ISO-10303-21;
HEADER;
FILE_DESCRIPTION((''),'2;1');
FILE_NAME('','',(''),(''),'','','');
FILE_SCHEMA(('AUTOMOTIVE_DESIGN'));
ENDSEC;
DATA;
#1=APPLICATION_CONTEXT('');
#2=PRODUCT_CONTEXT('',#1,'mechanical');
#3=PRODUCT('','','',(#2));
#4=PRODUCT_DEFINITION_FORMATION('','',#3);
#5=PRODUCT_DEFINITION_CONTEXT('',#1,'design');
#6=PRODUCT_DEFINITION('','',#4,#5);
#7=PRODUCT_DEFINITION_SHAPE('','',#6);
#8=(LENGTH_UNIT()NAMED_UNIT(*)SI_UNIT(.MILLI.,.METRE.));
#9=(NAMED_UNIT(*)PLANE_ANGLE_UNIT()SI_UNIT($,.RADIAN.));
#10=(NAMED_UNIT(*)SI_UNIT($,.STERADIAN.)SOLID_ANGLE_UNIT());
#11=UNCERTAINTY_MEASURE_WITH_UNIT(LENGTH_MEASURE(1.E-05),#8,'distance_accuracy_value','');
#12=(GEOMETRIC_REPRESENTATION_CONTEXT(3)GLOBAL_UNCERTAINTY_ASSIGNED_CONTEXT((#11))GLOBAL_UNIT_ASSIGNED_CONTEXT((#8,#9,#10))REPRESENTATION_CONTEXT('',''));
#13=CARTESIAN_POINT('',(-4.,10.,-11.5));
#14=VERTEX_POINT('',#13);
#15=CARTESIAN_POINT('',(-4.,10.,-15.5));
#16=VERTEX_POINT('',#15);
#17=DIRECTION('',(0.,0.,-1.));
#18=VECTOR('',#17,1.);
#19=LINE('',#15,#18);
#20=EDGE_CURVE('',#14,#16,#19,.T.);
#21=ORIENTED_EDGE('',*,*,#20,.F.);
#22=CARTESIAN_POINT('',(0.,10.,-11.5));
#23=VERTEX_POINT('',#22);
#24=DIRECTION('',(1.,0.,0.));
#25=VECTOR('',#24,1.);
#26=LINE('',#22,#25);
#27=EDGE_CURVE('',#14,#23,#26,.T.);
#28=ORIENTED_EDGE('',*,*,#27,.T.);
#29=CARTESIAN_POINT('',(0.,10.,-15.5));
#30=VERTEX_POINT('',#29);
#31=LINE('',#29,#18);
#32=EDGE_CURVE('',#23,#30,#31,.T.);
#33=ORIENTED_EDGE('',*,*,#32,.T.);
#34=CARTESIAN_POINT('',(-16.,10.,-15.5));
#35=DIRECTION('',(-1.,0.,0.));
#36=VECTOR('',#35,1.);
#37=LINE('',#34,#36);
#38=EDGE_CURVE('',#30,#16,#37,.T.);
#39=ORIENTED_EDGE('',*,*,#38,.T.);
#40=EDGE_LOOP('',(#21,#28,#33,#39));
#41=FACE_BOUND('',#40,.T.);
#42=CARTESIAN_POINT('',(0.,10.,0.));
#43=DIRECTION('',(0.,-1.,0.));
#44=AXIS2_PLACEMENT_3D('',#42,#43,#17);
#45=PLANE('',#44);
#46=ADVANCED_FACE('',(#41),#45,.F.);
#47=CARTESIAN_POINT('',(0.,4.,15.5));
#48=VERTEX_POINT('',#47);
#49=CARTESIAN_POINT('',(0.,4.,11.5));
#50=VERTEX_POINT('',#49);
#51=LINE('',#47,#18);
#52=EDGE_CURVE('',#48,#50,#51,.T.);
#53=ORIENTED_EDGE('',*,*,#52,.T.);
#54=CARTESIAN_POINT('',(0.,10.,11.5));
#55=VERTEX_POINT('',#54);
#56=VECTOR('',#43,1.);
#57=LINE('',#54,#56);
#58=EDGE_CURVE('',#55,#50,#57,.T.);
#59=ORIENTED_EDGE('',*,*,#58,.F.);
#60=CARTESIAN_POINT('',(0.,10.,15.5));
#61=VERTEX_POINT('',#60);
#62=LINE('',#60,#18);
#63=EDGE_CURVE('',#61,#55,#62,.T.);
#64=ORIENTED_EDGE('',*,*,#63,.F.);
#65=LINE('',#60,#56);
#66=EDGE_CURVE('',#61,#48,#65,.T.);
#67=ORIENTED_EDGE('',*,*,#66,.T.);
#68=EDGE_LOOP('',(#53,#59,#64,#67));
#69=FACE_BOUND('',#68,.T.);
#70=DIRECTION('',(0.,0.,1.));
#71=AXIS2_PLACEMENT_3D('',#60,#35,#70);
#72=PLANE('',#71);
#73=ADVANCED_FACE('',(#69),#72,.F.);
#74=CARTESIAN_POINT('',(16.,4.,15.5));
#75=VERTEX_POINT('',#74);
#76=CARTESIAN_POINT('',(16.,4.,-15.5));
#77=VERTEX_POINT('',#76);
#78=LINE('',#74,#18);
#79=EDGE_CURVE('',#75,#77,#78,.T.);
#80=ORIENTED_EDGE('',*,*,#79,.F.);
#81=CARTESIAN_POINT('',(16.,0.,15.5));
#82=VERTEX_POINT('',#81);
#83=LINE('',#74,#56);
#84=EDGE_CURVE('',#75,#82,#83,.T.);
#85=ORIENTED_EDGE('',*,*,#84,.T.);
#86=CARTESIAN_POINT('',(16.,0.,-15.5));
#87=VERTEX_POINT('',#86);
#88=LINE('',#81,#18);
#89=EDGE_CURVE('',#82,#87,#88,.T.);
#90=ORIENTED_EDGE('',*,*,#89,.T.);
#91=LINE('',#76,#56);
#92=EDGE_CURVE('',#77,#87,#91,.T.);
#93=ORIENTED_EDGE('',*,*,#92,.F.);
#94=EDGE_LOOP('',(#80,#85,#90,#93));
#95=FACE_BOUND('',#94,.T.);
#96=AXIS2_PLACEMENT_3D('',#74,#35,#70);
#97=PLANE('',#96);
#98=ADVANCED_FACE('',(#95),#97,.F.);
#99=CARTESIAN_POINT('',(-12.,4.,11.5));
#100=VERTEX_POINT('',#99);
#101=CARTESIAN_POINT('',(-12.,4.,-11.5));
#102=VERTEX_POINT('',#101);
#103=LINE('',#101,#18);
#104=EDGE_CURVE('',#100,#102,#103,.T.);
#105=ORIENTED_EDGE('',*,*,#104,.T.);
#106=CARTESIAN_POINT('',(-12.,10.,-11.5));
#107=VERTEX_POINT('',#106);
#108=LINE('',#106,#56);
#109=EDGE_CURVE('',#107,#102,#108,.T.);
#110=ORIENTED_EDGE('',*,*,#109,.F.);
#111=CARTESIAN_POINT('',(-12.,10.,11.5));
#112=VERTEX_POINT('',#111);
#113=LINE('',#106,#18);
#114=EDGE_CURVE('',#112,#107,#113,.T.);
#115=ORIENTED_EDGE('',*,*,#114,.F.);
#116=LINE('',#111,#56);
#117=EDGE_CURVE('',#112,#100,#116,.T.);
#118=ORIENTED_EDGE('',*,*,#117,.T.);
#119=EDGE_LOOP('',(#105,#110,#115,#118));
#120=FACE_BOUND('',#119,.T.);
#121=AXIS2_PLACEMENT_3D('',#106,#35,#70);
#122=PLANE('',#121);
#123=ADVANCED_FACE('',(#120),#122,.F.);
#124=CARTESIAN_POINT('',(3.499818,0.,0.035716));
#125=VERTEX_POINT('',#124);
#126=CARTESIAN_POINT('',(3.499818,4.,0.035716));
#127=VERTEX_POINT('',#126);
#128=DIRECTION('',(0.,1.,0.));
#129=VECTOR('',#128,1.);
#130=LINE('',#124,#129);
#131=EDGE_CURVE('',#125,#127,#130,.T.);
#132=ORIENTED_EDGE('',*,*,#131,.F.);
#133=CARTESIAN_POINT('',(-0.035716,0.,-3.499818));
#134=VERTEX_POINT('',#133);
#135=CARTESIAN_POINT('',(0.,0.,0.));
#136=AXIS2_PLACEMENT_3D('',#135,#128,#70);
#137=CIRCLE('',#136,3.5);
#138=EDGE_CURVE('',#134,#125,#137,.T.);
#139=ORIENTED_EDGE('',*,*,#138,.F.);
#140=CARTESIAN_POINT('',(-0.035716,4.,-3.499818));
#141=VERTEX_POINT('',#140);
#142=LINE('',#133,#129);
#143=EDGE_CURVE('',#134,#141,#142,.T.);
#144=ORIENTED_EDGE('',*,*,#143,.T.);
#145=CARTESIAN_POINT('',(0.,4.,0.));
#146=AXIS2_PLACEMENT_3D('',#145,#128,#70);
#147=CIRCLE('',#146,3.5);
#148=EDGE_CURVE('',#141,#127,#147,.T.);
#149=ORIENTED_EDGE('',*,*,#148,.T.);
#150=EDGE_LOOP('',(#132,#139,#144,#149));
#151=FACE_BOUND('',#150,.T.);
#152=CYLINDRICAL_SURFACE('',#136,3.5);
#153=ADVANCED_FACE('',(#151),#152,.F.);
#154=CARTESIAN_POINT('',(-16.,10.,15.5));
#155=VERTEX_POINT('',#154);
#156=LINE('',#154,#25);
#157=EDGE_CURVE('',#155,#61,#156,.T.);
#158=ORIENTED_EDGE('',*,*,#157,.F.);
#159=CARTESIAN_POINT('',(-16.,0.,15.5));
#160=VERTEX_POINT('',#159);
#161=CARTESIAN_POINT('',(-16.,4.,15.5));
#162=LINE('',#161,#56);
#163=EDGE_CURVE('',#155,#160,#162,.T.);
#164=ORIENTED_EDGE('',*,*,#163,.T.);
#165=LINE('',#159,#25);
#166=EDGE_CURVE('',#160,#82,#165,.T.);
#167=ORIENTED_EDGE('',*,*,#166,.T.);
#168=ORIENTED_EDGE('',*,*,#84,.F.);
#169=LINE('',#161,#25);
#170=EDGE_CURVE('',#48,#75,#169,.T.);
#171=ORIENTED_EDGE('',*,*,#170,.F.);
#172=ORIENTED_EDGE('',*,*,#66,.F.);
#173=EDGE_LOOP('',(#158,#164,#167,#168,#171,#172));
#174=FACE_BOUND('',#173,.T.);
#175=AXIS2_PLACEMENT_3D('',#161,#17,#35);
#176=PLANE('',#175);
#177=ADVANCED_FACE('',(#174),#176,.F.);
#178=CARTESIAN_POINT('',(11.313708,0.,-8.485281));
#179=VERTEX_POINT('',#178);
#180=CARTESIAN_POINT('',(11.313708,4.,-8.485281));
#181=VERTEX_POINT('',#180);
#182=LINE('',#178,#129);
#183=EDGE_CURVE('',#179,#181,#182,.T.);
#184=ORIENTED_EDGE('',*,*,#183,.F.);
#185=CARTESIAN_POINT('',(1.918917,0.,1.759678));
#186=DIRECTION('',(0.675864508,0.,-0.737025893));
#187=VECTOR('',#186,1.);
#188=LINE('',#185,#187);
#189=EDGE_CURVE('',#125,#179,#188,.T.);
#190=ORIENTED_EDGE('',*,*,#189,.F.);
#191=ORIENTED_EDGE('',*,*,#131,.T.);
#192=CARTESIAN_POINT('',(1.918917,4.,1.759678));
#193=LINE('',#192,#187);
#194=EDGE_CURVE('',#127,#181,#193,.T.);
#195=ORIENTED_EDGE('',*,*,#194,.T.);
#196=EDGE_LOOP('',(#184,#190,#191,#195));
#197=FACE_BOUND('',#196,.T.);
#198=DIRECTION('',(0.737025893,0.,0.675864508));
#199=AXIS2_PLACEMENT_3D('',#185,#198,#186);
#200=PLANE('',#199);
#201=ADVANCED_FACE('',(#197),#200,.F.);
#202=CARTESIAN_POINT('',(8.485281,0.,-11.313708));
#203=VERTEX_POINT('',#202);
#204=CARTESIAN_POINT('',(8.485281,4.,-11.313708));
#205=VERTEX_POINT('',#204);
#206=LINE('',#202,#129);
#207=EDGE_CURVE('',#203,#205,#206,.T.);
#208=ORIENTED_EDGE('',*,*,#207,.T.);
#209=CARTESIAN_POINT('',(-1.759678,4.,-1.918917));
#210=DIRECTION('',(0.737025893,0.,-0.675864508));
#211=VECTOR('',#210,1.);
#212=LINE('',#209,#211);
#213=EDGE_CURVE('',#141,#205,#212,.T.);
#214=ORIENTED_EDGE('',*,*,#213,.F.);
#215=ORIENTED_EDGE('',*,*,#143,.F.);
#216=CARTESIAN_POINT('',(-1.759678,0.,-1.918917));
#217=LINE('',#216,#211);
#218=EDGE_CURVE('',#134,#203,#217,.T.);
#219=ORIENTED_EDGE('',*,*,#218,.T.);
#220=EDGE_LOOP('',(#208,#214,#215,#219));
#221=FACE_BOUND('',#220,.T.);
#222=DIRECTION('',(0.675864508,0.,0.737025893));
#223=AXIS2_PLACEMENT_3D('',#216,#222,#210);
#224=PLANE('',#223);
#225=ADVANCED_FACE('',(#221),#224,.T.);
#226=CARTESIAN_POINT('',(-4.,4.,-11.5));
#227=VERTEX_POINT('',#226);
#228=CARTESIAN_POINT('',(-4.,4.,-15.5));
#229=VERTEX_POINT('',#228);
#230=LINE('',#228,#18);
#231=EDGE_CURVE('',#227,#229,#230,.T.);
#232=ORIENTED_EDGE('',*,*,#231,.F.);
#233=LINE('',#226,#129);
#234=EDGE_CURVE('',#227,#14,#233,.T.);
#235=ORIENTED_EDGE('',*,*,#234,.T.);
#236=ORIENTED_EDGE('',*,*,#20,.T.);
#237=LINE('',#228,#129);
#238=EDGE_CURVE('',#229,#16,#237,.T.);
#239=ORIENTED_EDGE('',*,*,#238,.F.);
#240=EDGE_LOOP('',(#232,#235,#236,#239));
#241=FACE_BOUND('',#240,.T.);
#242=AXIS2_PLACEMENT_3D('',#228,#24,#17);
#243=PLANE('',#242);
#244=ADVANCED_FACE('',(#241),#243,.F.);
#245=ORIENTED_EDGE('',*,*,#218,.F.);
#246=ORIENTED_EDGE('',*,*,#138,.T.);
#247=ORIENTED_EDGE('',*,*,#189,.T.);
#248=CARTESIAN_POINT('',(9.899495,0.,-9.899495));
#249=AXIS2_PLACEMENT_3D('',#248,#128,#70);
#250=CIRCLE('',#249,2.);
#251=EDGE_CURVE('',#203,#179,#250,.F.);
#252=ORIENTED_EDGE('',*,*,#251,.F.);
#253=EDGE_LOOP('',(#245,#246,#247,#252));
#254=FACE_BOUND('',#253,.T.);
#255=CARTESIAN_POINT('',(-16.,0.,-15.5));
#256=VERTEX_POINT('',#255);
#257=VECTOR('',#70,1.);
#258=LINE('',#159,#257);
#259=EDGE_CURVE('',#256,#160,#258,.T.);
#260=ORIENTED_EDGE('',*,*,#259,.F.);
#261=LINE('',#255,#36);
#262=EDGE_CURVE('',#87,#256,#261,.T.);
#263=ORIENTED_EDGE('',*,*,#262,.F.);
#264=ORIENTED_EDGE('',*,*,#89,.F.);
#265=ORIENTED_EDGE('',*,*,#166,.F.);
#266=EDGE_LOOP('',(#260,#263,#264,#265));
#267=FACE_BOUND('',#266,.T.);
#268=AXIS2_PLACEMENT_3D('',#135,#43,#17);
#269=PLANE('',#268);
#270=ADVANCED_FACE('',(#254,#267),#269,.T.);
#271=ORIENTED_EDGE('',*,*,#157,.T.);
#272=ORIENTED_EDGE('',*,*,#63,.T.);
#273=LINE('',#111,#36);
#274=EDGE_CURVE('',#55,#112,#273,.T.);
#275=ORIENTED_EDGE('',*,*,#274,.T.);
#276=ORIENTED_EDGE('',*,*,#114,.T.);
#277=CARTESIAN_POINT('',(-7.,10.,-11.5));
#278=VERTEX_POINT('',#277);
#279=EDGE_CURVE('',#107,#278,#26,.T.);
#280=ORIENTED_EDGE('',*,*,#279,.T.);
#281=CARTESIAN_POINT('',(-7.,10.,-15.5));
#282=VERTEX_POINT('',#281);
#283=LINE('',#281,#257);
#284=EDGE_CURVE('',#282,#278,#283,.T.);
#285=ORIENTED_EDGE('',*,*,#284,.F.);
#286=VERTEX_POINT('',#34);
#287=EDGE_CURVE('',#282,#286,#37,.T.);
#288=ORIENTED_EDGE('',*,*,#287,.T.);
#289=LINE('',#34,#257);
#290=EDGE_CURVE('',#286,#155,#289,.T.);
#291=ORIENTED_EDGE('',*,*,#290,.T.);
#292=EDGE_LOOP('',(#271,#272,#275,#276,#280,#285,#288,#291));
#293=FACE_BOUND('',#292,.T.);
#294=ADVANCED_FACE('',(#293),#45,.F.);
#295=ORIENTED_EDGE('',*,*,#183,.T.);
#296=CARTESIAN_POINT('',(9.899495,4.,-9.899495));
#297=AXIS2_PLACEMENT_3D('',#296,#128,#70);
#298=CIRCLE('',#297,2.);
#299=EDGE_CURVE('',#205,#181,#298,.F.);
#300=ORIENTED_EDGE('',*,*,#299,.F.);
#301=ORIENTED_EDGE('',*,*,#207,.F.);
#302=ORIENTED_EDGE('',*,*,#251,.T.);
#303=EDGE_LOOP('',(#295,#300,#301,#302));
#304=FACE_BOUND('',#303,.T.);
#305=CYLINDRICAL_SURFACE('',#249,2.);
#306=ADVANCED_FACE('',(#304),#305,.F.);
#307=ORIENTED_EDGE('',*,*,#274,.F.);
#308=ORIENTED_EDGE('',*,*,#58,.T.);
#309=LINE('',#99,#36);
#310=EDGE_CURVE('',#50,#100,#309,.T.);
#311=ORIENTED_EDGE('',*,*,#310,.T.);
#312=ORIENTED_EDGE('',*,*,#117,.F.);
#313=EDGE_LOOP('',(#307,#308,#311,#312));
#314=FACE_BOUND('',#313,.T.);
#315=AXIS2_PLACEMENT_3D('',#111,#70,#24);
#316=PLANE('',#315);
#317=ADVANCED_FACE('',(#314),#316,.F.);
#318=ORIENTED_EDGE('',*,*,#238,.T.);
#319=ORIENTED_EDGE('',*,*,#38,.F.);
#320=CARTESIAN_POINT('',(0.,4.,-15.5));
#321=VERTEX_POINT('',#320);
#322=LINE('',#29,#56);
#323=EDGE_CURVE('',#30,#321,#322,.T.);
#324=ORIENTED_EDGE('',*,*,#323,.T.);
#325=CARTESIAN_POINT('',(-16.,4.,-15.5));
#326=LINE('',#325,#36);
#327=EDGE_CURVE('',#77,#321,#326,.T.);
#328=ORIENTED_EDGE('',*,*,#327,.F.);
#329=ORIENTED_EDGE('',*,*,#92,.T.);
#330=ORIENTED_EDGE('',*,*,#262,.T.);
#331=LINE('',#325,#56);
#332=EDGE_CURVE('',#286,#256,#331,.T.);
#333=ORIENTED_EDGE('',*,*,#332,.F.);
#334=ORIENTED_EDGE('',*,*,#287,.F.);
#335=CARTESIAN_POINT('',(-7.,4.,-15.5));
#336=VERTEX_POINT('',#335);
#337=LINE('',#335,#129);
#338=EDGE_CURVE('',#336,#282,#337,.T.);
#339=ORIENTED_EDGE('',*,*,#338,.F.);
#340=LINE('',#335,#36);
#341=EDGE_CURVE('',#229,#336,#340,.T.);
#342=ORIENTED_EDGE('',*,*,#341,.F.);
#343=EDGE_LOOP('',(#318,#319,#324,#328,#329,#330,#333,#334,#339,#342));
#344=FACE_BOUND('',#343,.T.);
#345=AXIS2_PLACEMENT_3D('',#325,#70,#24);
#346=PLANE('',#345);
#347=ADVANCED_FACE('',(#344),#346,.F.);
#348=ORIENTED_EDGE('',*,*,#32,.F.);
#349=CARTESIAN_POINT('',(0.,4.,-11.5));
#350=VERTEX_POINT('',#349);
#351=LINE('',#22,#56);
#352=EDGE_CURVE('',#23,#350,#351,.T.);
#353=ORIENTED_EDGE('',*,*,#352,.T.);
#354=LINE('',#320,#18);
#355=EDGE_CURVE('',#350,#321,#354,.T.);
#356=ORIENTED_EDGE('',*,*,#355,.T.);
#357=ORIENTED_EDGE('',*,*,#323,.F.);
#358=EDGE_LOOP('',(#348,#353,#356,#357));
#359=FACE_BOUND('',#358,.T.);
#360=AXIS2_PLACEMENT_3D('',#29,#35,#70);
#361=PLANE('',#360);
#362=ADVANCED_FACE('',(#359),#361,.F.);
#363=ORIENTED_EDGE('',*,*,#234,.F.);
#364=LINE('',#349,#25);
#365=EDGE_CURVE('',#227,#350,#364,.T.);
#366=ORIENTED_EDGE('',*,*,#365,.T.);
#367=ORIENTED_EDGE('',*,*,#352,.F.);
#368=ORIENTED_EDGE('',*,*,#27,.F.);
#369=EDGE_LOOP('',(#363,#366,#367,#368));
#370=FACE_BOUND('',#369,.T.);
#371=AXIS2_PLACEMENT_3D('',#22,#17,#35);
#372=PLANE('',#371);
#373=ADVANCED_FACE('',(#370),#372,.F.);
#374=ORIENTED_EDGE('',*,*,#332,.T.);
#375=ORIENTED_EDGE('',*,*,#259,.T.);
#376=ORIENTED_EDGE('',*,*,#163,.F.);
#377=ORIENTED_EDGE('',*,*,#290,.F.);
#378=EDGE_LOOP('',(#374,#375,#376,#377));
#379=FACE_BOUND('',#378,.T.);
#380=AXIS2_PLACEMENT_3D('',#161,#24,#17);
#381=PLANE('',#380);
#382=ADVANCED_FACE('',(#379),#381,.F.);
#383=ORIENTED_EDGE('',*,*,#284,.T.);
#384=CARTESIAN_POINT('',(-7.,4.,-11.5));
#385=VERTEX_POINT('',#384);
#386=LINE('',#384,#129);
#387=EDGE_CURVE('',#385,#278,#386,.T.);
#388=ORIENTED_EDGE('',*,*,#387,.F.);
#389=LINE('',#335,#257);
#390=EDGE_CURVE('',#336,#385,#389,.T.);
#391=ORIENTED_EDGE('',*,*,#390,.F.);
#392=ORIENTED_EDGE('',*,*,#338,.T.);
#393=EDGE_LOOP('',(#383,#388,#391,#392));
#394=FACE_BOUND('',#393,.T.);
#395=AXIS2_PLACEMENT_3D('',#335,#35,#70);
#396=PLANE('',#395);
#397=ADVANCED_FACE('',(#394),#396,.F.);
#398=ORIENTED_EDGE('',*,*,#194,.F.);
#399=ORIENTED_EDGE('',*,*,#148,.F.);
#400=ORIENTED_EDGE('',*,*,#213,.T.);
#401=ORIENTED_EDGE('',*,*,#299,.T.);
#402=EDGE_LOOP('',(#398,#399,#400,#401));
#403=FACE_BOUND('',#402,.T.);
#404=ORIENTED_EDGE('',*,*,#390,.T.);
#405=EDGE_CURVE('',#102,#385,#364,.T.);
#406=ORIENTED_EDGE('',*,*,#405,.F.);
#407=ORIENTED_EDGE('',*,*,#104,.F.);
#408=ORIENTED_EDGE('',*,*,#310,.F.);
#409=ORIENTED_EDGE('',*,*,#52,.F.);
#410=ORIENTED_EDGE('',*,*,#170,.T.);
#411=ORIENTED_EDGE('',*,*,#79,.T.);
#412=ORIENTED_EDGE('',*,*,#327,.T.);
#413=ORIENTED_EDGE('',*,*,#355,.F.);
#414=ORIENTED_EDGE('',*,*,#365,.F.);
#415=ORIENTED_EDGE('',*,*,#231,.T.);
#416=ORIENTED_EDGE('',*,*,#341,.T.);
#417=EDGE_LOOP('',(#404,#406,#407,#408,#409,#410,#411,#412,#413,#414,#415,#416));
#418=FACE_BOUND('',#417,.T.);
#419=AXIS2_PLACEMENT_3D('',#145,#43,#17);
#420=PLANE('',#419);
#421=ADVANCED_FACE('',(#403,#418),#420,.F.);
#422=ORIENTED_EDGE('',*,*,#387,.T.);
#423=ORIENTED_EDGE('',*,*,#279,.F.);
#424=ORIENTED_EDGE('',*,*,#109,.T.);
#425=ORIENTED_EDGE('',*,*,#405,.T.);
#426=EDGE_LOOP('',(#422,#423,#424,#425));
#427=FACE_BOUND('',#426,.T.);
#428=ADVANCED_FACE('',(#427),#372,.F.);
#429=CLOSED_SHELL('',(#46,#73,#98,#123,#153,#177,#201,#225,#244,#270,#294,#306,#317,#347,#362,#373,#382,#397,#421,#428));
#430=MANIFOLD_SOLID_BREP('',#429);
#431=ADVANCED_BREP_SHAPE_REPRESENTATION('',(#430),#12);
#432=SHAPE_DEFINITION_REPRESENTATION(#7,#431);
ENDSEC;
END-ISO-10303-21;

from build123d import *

# Parameters (mm, degrees)
SKETCH1_W           = 32
SKETCH1_H           = 31
BOSS_EXTRUDE1_DEPTH = 4
BOSS_EXTRUDE2_DEPTH = 6
SKETCH3_W           = 3
SKETCH3_H           = 4
CUT_EXTRUDE1_DEPTH  = 6
CUT_EXTRUDE6_DEPTH  = 4


with BuildPart() as part:
    # Sketch1 → Boss-Extrude1 (new body)
    with BuildSketch(Plane(origin=(0, 0, 0), x_dir=(1, 0, 0), z_dir=(0, 1, 0))):
        Rectangle(SKETCH1_W, SKETCH1_H)
    extrude(amount=BOSS_EXTRUDE1_DEPTH)

    # Sketch2 → Boss-Extrude2 (add)
    with BuildSketch(Plane(origin=(0, 4, 0), x_dir=(1, 0, 0), z_dir=(0, 1, 0))):
        Polygon((-16, 15.5), (-16, -15.5), (0, -15.5), (0, -11.5), (-12, -11.5), (-12, 11.5), (0, 11.5), (0, 15.5), align=None)
    extrude(amount=BOSS_EXTRUDE2_DEPTH)

    # Sketch3 → Cut-Extrude1 (cut)
    with BuildSketch(Plane(origin=(0, 10, 0), x_dir=(1, 0, 0), z_dir=(0, 1, 0))):
        with Locations((-5.5, 13.5)):
            Rectangle(SKETCH3_W, SKETCH3_H)
    extrude(amount=-CUT_EXTRUDE1_DEPTH, mode=Mode.SUBTRACT)

    # Sketch4 → Cut-Extrude6 (cut)
    with BuildSketch(Plane(origin=(0, 4, 0), x_dir=(0.7071067811864886, 0, -0.7071067811866065), z_dir=(0, 1, 0))):
        with BuildLine():
            Line((14, 2), (2.449489743, 2.5))
            ThreePointArc((2.449489743, 2.5), (3.226702194, 1.355873501), (3.5, 0))
            ThreePointArc((3.5, 0), (3.226702194, -1.355873501), (2.449489743, -2.5))
            Line((2.449489743, -2.5), (14, -2))
            ThreePointArc((14, -2), (15.414213562, -1.414213562), (16, 0))
            ThreePointArc((16, 0), (15.414213562, 1.414213562), (14, 2))
        make_face()
        with BuildLine():
            ThreePointArc((3.5, 0), (3.226702194, 1.355873501), (2.449489743, 2.5))
            ThreePointArc((2.449489743, 2.5), (-3.5, 0), (2.449489743, -2.5))
            ThreePointArc((2.449489743, -2.5), (3.226702194, -1.355873501), (3.5, 0))
        make_face()
    extrude(amount=-CUT_EXTRUDE6_DEPTH, mode=Mode.SUBTRACT)


solid = part.part
